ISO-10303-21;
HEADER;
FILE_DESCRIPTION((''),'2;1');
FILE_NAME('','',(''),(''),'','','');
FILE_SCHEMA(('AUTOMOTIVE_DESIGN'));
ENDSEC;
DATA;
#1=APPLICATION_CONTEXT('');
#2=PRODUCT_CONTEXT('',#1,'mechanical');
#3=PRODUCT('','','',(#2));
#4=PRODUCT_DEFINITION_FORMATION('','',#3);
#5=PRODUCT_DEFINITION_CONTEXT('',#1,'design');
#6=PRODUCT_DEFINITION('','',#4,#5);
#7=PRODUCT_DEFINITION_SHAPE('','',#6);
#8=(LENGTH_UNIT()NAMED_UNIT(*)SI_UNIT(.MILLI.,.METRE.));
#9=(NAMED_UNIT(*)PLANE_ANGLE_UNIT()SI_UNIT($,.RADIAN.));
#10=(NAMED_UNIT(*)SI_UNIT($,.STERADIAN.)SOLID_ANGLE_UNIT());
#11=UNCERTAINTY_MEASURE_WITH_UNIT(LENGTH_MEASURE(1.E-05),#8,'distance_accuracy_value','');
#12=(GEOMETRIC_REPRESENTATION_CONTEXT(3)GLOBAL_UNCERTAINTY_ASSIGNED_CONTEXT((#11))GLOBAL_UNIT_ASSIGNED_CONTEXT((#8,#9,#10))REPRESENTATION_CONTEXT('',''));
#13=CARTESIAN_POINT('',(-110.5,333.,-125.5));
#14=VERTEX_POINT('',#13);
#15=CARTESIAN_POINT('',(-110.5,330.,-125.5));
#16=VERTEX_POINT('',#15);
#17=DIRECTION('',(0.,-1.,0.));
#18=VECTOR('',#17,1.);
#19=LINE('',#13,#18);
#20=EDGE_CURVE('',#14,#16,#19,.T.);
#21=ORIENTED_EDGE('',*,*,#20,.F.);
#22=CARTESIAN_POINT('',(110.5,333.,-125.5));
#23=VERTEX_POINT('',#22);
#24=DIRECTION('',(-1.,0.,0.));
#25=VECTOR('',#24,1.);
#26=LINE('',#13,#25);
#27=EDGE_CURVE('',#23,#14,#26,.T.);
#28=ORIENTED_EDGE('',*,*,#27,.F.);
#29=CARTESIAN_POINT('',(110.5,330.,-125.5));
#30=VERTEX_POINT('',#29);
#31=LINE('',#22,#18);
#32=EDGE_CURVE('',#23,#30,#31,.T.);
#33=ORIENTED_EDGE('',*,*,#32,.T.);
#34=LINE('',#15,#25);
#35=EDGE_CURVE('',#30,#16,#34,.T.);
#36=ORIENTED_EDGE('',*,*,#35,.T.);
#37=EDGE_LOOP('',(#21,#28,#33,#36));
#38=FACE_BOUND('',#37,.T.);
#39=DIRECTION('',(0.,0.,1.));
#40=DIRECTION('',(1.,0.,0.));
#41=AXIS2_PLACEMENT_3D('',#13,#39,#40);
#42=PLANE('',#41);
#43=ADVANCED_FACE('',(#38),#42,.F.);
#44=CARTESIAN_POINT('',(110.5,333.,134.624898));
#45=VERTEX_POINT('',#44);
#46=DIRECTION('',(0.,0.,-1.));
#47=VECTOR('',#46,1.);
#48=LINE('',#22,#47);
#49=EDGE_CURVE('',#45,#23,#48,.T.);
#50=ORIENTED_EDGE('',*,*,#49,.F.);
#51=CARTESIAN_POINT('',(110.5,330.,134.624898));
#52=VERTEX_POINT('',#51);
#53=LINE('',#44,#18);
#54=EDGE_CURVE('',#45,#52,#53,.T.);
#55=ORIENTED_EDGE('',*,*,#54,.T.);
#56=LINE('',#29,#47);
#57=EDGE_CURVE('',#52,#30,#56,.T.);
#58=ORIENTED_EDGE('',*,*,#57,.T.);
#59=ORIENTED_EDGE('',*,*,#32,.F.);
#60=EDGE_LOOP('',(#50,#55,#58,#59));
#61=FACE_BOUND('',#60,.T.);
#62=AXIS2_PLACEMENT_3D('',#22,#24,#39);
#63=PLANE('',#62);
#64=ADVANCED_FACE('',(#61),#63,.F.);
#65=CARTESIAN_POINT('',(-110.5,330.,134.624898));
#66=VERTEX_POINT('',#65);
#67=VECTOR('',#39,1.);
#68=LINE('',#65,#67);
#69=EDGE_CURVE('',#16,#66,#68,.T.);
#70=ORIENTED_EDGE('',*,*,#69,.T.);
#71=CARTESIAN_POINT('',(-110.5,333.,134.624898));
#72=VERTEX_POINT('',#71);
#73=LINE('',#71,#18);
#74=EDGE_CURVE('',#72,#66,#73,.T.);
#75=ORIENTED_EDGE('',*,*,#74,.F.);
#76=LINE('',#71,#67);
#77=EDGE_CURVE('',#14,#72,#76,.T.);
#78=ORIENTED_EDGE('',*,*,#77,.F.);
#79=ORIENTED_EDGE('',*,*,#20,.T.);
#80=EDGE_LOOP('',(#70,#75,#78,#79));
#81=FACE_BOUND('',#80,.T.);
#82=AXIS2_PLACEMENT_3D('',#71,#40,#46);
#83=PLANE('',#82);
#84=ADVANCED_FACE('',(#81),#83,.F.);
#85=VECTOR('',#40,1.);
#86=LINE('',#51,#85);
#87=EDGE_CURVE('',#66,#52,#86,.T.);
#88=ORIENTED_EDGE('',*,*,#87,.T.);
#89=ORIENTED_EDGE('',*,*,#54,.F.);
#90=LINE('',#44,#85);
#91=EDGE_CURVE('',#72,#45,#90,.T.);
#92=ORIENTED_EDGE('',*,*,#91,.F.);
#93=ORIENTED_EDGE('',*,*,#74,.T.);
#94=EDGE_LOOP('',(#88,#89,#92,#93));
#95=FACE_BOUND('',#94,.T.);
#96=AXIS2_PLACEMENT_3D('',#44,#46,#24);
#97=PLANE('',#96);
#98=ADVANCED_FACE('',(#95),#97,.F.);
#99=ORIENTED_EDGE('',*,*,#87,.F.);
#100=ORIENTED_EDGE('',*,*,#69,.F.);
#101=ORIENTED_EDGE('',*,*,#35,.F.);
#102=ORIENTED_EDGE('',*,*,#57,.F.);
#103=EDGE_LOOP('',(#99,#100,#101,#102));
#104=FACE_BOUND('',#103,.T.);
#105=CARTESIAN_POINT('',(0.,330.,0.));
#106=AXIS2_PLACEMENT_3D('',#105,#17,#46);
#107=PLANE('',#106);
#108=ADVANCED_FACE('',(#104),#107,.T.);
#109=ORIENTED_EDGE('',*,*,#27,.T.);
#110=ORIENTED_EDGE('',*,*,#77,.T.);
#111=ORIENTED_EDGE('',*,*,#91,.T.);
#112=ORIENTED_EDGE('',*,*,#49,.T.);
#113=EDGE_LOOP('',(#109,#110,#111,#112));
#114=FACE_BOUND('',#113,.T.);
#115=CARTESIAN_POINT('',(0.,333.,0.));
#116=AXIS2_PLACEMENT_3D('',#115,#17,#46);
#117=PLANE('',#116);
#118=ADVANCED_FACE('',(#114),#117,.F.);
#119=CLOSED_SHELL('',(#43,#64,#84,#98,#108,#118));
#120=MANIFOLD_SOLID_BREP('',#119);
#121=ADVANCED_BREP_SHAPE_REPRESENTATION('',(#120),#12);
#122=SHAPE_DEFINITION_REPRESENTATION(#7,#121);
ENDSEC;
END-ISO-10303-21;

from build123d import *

# Parameters (mm, degrees)
SKETCH2_W           = 221
SKETCH2_H           = 260.124897979
BOSS_EXTRUDE1_DEPTH = 3


with BuildPart() as part:
    # Sketch2 → Boss-Extrude1 (new body)
    with BuildSketch(Plane(origin=(0, 330, 0), x_dir=(1, 0, 0), z_dir=(0, 1, 0))):
        with Locations((0, -4.562448989)):
            Rectangle(SKETCH2_W, SKETCH2_H)
    extrude(amount=BOSS_EXTRUDE1_DEPTH)


solid = part.part
